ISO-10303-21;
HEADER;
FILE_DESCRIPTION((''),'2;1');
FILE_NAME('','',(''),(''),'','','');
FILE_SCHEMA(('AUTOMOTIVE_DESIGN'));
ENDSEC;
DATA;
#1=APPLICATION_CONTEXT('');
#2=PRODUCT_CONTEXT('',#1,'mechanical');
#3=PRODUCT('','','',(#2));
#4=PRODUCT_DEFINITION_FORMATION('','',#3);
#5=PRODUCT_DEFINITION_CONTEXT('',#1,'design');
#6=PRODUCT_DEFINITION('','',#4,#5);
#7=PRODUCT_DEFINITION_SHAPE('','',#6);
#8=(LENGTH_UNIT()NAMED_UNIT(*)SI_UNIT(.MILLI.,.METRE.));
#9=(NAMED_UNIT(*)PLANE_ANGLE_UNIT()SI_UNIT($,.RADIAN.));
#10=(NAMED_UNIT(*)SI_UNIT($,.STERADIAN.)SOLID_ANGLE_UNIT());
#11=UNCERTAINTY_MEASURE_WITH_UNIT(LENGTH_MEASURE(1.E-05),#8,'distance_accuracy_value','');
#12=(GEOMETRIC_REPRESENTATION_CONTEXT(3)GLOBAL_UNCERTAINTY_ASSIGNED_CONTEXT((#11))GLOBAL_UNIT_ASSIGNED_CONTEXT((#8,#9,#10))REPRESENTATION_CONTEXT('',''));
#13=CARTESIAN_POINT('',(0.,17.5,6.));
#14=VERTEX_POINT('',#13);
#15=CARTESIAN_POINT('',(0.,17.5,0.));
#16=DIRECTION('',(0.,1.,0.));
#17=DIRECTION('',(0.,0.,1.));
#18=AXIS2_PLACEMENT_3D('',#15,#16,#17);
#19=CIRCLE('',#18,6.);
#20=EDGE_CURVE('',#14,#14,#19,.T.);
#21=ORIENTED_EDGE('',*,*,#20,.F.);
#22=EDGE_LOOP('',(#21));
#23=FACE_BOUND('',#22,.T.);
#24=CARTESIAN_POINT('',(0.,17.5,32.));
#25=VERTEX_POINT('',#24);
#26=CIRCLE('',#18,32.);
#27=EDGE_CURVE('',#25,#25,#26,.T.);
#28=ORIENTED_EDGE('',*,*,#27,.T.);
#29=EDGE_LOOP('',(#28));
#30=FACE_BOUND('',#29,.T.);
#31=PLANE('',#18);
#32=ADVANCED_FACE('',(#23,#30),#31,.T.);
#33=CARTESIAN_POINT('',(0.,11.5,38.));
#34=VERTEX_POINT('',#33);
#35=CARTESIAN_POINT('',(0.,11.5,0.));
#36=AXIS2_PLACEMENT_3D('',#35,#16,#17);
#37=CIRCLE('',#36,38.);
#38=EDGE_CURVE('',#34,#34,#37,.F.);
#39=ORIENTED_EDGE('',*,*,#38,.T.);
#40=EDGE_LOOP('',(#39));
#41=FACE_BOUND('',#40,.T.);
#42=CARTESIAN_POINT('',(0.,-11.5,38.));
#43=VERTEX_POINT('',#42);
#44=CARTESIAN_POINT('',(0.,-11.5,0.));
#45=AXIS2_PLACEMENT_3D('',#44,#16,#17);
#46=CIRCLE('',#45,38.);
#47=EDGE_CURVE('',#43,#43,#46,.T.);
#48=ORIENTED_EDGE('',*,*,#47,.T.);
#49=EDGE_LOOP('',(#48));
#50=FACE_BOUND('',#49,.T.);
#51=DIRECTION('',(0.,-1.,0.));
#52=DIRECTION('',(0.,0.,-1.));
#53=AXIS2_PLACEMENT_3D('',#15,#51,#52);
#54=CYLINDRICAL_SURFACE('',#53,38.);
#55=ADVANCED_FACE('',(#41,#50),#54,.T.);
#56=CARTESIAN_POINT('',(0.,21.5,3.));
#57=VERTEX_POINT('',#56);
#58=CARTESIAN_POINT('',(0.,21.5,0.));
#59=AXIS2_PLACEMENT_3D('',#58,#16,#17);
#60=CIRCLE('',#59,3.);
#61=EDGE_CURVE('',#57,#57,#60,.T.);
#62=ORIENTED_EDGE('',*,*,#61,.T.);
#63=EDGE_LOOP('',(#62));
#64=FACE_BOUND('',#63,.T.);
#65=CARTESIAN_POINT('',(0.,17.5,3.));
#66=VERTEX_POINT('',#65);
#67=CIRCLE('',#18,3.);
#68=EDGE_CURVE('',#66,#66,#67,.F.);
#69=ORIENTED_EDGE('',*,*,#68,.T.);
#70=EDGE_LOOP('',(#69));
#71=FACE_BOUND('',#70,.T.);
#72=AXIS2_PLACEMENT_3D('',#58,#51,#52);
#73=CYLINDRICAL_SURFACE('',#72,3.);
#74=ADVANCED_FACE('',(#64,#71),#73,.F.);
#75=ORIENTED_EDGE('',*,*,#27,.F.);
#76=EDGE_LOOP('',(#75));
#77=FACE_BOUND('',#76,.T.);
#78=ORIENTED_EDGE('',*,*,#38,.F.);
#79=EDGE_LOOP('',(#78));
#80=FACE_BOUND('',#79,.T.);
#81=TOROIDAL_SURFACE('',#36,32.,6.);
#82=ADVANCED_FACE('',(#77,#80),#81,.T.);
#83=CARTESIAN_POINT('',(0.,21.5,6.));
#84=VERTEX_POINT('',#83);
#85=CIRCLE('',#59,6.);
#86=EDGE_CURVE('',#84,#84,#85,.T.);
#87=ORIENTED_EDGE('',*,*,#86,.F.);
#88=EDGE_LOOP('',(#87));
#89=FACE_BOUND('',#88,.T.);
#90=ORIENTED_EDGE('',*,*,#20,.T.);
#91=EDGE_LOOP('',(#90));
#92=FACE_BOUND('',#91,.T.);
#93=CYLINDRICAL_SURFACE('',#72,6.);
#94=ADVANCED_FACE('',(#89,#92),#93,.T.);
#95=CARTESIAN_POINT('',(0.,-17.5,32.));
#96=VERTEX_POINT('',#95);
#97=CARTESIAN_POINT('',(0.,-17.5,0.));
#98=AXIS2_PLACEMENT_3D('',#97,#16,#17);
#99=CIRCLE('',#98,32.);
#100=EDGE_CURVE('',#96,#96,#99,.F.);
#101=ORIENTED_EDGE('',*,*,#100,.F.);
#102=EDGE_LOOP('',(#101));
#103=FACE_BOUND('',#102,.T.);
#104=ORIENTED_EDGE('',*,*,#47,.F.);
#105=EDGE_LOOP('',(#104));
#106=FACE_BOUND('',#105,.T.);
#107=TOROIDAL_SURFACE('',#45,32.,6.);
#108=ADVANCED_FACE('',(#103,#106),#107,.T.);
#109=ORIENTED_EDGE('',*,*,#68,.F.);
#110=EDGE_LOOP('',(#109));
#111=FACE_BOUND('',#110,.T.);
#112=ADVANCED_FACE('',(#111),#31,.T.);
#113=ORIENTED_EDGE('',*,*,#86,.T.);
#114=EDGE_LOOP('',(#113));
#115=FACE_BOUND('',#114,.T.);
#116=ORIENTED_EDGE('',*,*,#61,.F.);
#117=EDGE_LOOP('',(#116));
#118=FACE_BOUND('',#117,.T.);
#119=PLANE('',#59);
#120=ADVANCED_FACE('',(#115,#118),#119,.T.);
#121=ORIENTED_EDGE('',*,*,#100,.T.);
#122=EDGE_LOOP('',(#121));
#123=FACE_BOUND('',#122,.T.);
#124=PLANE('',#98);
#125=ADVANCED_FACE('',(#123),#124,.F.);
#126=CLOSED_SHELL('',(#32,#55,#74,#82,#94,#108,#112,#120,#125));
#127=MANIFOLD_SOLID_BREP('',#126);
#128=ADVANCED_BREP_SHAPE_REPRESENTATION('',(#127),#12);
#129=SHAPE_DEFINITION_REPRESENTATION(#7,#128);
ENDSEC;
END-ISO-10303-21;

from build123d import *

# Parameters (mm, degrees)
SKETCH_1_R      = 38
EXTRUDE_1_DEPTH = 17.5
SKETCH_2_R      = 6
SKETCH_2_R_2    = 3
EXTRUDE_2_DEPTH = 4
FILLET_1_R      = 6


with BuildPart() as part:
    # 草图1 → 凸台-拉伸1 (new, symmetric)
    with BuildSketch(Plane(origin=(0, 0, 0), x_dir=(1, 0, 0), z_dir=(0, 1, 0))):
        with Locations(Location((0, 0, 0), (0, 0, 270))):
            Circle(SKETCH_1_R)
    extrude(amount=EXTRUDE_1_DEPTH, both=True)

    # 草图2 → 凸台-拉伸2 (add)
    with BuildSketch(Plane(origin=(0, 17.5, 0), x_dir=(1, 0, 0), z_dir=(0, 1, 0))):
        with Locations(Location((0, 0, 0), (0, 0, 270))):
            Circle(SKETCH_2_R)
        with Locations(Location((0, 0, 0), (0, 0, 270))):
            Circle(SKETCH_2_R_2, mode=Mode.SUBTRACT)
    extrude(amount=EXTRUDE_2_DEPTH)

    # 圆角1
    fillet_1_edges = [part.edges().sort_by_distance(p)[0] for p in [
        (0, -17.5, -38),
        (0, 17.5, -38),
    ]]
    fillet(fillet_1_edges, radius=FILLET_1_R)


solid = part.part
